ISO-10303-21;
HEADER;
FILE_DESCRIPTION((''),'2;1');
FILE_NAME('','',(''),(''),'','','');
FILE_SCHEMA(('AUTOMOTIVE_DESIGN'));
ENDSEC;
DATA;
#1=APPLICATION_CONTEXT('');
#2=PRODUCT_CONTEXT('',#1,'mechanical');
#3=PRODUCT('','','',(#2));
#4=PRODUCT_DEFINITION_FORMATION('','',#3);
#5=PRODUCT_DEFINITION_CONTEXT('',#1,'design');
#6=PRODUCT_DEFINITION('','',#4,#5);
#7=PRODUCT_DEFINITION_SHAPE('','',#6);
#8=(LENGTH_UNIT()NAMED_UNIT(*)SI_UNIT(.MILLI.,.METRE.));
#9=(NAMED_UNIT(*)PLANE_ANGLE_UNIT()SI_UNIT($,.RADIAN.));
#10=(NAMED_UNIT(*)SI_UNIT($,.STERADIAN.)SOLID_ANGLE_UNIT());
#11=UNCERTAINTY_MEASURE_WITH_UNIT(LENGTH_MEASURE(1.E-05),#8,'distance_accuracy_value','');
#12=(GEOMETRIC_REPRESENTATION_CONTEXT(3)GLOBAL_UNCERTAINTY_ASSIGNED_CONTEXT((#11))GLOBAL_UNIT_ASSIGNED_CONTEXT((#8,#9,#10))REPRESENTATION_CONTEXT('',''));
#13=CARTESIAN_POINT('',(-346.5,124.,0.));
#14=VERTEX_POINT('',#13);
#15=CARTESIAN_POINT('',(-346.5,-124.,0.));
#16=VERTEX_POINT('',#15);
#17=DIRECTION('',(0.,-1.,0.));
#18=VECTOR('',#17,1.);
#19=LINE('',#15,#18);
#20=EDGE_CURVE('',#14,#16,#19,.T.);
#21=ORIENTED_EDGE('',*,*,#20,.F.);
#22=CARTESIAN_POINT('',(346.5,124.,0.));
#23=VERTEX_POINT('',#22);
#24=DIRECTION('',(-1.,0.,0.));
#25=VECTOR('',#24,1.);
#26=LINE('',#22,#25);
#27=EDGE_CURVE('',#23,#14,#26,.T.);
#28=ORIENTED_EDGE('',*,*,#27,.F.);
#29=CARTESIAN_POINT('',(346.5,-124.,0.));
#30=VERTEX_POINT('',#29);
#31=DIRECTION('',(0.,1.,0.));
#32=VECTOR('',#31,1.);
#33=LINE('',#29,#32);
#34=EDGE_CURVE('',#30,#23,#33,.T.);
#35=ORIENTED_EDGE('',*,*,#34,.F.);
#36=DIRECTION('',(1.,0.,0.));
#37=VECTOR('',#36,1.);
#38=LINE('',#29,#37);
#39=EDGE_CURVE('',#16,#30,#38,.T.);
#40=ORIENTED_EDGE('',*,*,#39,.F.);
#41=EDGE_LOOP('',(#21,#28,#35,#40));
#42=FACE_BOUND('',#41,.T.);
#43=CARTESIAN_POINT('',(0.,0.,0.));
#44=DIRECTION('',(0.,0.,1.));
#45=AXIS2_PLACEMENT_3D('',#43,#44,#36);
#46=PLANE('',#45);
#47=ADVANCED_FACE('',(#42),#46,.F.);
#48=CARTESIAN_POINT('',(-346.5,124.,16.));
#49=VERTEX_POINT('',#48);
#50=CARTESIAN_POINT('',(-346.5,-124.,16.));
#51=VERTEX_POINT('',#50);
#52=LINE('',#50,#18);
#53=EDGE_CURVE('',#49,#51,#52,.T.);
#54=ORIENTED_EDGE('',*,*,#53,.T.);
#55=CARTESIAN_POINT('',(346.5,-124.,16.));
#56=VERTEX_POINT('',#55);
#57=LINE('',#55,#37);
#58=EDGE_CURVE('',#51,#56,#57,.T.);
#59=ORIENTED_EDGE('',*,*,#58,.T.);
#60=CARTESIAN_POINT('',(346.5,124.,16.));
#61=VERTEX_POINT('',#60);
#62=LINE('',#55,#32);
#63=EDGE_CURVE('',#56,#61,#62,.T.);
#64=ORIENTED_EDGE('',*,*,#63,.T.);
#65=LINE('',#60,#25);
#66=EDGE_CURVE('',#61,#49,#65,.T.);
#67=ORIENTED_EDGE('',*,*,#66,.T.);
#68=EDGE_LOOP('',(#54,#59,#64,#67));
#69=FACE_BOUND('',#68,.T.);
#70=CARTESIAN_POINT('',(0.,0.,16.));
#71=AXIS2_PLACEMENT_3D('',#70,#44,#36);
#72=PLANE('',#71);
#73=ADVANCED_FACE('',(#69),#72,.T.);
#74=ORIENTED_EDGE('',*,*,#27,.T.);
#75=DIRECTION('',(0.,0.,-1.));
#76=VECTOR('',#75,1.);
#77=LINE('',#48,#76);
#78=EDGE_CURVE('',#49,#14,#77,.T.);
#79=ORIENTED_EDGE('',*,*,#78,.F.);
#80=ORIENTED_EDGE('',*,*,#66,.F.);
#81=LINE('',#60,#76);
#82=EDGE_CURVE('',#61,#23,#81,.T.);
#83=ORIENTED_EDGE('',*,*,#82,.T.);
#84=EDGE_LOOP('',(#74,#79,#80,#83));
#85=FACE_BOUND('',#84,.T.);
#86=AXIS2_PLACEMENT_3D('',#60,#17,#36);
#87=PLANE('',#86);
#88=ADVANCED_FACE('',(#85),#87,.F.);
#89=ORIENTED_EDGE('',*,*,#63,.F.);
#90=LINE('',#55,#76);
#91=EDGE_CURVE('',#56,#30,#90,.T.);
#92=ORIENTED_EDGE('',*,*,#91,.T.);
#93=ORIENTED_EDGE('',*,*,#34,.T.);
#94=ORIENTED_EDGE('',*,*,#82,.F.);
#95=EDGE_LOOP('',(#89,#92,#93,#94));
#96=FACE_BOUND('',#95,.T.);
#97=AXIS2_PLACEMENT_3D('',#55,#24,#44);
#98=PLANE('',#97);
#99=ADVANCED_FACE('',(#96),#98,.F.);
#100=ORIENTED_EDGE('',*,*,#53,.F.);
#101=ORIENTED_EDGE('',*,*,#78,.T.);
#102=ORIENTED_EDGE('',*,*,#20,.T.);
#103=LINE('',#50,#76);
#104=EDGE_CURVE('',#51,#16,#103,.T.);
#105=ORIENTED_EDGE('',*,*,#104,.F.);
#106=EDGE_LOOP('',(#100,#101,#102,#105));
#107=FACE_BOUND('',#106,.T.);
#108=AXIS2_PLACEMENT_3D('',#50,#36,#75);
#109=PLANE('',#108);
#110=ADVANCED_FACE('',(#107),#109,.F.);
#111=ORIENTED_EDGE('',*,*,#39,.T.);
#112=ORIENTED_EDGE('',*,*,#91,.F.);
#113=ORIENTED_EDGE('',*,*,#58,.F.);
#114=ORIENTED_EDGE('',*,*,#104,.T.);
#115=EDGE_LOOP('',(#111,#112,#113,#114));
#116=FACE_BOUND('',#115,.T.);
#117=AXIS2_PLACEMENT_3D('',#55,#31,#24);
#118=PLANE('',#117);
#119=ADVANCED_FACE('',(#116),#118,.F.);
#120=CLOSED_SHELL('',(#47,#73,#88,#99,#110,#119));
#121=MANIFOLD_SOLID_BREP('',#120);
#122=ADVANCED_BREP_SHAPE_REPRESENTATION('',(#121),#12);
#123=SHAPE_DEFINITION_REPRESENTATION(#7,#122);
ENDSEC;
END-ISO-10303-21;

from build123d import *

# Parameters (mm, degrees)
SKETCH_1_W      = 693
SKETCH_1_H      = 248
EXTRUDE_1_DEPTH = 16


with BuildPart() as part:
    # 草图1 → 凸台-拉伸1 (new body)
    with BuildSketch(Plane.XY):
        Rectangle(SKETCH_1_W, SKETCH_1_H)
    extrude(amount=EXTRUDE_1_DEPTH)


solid = part.part
